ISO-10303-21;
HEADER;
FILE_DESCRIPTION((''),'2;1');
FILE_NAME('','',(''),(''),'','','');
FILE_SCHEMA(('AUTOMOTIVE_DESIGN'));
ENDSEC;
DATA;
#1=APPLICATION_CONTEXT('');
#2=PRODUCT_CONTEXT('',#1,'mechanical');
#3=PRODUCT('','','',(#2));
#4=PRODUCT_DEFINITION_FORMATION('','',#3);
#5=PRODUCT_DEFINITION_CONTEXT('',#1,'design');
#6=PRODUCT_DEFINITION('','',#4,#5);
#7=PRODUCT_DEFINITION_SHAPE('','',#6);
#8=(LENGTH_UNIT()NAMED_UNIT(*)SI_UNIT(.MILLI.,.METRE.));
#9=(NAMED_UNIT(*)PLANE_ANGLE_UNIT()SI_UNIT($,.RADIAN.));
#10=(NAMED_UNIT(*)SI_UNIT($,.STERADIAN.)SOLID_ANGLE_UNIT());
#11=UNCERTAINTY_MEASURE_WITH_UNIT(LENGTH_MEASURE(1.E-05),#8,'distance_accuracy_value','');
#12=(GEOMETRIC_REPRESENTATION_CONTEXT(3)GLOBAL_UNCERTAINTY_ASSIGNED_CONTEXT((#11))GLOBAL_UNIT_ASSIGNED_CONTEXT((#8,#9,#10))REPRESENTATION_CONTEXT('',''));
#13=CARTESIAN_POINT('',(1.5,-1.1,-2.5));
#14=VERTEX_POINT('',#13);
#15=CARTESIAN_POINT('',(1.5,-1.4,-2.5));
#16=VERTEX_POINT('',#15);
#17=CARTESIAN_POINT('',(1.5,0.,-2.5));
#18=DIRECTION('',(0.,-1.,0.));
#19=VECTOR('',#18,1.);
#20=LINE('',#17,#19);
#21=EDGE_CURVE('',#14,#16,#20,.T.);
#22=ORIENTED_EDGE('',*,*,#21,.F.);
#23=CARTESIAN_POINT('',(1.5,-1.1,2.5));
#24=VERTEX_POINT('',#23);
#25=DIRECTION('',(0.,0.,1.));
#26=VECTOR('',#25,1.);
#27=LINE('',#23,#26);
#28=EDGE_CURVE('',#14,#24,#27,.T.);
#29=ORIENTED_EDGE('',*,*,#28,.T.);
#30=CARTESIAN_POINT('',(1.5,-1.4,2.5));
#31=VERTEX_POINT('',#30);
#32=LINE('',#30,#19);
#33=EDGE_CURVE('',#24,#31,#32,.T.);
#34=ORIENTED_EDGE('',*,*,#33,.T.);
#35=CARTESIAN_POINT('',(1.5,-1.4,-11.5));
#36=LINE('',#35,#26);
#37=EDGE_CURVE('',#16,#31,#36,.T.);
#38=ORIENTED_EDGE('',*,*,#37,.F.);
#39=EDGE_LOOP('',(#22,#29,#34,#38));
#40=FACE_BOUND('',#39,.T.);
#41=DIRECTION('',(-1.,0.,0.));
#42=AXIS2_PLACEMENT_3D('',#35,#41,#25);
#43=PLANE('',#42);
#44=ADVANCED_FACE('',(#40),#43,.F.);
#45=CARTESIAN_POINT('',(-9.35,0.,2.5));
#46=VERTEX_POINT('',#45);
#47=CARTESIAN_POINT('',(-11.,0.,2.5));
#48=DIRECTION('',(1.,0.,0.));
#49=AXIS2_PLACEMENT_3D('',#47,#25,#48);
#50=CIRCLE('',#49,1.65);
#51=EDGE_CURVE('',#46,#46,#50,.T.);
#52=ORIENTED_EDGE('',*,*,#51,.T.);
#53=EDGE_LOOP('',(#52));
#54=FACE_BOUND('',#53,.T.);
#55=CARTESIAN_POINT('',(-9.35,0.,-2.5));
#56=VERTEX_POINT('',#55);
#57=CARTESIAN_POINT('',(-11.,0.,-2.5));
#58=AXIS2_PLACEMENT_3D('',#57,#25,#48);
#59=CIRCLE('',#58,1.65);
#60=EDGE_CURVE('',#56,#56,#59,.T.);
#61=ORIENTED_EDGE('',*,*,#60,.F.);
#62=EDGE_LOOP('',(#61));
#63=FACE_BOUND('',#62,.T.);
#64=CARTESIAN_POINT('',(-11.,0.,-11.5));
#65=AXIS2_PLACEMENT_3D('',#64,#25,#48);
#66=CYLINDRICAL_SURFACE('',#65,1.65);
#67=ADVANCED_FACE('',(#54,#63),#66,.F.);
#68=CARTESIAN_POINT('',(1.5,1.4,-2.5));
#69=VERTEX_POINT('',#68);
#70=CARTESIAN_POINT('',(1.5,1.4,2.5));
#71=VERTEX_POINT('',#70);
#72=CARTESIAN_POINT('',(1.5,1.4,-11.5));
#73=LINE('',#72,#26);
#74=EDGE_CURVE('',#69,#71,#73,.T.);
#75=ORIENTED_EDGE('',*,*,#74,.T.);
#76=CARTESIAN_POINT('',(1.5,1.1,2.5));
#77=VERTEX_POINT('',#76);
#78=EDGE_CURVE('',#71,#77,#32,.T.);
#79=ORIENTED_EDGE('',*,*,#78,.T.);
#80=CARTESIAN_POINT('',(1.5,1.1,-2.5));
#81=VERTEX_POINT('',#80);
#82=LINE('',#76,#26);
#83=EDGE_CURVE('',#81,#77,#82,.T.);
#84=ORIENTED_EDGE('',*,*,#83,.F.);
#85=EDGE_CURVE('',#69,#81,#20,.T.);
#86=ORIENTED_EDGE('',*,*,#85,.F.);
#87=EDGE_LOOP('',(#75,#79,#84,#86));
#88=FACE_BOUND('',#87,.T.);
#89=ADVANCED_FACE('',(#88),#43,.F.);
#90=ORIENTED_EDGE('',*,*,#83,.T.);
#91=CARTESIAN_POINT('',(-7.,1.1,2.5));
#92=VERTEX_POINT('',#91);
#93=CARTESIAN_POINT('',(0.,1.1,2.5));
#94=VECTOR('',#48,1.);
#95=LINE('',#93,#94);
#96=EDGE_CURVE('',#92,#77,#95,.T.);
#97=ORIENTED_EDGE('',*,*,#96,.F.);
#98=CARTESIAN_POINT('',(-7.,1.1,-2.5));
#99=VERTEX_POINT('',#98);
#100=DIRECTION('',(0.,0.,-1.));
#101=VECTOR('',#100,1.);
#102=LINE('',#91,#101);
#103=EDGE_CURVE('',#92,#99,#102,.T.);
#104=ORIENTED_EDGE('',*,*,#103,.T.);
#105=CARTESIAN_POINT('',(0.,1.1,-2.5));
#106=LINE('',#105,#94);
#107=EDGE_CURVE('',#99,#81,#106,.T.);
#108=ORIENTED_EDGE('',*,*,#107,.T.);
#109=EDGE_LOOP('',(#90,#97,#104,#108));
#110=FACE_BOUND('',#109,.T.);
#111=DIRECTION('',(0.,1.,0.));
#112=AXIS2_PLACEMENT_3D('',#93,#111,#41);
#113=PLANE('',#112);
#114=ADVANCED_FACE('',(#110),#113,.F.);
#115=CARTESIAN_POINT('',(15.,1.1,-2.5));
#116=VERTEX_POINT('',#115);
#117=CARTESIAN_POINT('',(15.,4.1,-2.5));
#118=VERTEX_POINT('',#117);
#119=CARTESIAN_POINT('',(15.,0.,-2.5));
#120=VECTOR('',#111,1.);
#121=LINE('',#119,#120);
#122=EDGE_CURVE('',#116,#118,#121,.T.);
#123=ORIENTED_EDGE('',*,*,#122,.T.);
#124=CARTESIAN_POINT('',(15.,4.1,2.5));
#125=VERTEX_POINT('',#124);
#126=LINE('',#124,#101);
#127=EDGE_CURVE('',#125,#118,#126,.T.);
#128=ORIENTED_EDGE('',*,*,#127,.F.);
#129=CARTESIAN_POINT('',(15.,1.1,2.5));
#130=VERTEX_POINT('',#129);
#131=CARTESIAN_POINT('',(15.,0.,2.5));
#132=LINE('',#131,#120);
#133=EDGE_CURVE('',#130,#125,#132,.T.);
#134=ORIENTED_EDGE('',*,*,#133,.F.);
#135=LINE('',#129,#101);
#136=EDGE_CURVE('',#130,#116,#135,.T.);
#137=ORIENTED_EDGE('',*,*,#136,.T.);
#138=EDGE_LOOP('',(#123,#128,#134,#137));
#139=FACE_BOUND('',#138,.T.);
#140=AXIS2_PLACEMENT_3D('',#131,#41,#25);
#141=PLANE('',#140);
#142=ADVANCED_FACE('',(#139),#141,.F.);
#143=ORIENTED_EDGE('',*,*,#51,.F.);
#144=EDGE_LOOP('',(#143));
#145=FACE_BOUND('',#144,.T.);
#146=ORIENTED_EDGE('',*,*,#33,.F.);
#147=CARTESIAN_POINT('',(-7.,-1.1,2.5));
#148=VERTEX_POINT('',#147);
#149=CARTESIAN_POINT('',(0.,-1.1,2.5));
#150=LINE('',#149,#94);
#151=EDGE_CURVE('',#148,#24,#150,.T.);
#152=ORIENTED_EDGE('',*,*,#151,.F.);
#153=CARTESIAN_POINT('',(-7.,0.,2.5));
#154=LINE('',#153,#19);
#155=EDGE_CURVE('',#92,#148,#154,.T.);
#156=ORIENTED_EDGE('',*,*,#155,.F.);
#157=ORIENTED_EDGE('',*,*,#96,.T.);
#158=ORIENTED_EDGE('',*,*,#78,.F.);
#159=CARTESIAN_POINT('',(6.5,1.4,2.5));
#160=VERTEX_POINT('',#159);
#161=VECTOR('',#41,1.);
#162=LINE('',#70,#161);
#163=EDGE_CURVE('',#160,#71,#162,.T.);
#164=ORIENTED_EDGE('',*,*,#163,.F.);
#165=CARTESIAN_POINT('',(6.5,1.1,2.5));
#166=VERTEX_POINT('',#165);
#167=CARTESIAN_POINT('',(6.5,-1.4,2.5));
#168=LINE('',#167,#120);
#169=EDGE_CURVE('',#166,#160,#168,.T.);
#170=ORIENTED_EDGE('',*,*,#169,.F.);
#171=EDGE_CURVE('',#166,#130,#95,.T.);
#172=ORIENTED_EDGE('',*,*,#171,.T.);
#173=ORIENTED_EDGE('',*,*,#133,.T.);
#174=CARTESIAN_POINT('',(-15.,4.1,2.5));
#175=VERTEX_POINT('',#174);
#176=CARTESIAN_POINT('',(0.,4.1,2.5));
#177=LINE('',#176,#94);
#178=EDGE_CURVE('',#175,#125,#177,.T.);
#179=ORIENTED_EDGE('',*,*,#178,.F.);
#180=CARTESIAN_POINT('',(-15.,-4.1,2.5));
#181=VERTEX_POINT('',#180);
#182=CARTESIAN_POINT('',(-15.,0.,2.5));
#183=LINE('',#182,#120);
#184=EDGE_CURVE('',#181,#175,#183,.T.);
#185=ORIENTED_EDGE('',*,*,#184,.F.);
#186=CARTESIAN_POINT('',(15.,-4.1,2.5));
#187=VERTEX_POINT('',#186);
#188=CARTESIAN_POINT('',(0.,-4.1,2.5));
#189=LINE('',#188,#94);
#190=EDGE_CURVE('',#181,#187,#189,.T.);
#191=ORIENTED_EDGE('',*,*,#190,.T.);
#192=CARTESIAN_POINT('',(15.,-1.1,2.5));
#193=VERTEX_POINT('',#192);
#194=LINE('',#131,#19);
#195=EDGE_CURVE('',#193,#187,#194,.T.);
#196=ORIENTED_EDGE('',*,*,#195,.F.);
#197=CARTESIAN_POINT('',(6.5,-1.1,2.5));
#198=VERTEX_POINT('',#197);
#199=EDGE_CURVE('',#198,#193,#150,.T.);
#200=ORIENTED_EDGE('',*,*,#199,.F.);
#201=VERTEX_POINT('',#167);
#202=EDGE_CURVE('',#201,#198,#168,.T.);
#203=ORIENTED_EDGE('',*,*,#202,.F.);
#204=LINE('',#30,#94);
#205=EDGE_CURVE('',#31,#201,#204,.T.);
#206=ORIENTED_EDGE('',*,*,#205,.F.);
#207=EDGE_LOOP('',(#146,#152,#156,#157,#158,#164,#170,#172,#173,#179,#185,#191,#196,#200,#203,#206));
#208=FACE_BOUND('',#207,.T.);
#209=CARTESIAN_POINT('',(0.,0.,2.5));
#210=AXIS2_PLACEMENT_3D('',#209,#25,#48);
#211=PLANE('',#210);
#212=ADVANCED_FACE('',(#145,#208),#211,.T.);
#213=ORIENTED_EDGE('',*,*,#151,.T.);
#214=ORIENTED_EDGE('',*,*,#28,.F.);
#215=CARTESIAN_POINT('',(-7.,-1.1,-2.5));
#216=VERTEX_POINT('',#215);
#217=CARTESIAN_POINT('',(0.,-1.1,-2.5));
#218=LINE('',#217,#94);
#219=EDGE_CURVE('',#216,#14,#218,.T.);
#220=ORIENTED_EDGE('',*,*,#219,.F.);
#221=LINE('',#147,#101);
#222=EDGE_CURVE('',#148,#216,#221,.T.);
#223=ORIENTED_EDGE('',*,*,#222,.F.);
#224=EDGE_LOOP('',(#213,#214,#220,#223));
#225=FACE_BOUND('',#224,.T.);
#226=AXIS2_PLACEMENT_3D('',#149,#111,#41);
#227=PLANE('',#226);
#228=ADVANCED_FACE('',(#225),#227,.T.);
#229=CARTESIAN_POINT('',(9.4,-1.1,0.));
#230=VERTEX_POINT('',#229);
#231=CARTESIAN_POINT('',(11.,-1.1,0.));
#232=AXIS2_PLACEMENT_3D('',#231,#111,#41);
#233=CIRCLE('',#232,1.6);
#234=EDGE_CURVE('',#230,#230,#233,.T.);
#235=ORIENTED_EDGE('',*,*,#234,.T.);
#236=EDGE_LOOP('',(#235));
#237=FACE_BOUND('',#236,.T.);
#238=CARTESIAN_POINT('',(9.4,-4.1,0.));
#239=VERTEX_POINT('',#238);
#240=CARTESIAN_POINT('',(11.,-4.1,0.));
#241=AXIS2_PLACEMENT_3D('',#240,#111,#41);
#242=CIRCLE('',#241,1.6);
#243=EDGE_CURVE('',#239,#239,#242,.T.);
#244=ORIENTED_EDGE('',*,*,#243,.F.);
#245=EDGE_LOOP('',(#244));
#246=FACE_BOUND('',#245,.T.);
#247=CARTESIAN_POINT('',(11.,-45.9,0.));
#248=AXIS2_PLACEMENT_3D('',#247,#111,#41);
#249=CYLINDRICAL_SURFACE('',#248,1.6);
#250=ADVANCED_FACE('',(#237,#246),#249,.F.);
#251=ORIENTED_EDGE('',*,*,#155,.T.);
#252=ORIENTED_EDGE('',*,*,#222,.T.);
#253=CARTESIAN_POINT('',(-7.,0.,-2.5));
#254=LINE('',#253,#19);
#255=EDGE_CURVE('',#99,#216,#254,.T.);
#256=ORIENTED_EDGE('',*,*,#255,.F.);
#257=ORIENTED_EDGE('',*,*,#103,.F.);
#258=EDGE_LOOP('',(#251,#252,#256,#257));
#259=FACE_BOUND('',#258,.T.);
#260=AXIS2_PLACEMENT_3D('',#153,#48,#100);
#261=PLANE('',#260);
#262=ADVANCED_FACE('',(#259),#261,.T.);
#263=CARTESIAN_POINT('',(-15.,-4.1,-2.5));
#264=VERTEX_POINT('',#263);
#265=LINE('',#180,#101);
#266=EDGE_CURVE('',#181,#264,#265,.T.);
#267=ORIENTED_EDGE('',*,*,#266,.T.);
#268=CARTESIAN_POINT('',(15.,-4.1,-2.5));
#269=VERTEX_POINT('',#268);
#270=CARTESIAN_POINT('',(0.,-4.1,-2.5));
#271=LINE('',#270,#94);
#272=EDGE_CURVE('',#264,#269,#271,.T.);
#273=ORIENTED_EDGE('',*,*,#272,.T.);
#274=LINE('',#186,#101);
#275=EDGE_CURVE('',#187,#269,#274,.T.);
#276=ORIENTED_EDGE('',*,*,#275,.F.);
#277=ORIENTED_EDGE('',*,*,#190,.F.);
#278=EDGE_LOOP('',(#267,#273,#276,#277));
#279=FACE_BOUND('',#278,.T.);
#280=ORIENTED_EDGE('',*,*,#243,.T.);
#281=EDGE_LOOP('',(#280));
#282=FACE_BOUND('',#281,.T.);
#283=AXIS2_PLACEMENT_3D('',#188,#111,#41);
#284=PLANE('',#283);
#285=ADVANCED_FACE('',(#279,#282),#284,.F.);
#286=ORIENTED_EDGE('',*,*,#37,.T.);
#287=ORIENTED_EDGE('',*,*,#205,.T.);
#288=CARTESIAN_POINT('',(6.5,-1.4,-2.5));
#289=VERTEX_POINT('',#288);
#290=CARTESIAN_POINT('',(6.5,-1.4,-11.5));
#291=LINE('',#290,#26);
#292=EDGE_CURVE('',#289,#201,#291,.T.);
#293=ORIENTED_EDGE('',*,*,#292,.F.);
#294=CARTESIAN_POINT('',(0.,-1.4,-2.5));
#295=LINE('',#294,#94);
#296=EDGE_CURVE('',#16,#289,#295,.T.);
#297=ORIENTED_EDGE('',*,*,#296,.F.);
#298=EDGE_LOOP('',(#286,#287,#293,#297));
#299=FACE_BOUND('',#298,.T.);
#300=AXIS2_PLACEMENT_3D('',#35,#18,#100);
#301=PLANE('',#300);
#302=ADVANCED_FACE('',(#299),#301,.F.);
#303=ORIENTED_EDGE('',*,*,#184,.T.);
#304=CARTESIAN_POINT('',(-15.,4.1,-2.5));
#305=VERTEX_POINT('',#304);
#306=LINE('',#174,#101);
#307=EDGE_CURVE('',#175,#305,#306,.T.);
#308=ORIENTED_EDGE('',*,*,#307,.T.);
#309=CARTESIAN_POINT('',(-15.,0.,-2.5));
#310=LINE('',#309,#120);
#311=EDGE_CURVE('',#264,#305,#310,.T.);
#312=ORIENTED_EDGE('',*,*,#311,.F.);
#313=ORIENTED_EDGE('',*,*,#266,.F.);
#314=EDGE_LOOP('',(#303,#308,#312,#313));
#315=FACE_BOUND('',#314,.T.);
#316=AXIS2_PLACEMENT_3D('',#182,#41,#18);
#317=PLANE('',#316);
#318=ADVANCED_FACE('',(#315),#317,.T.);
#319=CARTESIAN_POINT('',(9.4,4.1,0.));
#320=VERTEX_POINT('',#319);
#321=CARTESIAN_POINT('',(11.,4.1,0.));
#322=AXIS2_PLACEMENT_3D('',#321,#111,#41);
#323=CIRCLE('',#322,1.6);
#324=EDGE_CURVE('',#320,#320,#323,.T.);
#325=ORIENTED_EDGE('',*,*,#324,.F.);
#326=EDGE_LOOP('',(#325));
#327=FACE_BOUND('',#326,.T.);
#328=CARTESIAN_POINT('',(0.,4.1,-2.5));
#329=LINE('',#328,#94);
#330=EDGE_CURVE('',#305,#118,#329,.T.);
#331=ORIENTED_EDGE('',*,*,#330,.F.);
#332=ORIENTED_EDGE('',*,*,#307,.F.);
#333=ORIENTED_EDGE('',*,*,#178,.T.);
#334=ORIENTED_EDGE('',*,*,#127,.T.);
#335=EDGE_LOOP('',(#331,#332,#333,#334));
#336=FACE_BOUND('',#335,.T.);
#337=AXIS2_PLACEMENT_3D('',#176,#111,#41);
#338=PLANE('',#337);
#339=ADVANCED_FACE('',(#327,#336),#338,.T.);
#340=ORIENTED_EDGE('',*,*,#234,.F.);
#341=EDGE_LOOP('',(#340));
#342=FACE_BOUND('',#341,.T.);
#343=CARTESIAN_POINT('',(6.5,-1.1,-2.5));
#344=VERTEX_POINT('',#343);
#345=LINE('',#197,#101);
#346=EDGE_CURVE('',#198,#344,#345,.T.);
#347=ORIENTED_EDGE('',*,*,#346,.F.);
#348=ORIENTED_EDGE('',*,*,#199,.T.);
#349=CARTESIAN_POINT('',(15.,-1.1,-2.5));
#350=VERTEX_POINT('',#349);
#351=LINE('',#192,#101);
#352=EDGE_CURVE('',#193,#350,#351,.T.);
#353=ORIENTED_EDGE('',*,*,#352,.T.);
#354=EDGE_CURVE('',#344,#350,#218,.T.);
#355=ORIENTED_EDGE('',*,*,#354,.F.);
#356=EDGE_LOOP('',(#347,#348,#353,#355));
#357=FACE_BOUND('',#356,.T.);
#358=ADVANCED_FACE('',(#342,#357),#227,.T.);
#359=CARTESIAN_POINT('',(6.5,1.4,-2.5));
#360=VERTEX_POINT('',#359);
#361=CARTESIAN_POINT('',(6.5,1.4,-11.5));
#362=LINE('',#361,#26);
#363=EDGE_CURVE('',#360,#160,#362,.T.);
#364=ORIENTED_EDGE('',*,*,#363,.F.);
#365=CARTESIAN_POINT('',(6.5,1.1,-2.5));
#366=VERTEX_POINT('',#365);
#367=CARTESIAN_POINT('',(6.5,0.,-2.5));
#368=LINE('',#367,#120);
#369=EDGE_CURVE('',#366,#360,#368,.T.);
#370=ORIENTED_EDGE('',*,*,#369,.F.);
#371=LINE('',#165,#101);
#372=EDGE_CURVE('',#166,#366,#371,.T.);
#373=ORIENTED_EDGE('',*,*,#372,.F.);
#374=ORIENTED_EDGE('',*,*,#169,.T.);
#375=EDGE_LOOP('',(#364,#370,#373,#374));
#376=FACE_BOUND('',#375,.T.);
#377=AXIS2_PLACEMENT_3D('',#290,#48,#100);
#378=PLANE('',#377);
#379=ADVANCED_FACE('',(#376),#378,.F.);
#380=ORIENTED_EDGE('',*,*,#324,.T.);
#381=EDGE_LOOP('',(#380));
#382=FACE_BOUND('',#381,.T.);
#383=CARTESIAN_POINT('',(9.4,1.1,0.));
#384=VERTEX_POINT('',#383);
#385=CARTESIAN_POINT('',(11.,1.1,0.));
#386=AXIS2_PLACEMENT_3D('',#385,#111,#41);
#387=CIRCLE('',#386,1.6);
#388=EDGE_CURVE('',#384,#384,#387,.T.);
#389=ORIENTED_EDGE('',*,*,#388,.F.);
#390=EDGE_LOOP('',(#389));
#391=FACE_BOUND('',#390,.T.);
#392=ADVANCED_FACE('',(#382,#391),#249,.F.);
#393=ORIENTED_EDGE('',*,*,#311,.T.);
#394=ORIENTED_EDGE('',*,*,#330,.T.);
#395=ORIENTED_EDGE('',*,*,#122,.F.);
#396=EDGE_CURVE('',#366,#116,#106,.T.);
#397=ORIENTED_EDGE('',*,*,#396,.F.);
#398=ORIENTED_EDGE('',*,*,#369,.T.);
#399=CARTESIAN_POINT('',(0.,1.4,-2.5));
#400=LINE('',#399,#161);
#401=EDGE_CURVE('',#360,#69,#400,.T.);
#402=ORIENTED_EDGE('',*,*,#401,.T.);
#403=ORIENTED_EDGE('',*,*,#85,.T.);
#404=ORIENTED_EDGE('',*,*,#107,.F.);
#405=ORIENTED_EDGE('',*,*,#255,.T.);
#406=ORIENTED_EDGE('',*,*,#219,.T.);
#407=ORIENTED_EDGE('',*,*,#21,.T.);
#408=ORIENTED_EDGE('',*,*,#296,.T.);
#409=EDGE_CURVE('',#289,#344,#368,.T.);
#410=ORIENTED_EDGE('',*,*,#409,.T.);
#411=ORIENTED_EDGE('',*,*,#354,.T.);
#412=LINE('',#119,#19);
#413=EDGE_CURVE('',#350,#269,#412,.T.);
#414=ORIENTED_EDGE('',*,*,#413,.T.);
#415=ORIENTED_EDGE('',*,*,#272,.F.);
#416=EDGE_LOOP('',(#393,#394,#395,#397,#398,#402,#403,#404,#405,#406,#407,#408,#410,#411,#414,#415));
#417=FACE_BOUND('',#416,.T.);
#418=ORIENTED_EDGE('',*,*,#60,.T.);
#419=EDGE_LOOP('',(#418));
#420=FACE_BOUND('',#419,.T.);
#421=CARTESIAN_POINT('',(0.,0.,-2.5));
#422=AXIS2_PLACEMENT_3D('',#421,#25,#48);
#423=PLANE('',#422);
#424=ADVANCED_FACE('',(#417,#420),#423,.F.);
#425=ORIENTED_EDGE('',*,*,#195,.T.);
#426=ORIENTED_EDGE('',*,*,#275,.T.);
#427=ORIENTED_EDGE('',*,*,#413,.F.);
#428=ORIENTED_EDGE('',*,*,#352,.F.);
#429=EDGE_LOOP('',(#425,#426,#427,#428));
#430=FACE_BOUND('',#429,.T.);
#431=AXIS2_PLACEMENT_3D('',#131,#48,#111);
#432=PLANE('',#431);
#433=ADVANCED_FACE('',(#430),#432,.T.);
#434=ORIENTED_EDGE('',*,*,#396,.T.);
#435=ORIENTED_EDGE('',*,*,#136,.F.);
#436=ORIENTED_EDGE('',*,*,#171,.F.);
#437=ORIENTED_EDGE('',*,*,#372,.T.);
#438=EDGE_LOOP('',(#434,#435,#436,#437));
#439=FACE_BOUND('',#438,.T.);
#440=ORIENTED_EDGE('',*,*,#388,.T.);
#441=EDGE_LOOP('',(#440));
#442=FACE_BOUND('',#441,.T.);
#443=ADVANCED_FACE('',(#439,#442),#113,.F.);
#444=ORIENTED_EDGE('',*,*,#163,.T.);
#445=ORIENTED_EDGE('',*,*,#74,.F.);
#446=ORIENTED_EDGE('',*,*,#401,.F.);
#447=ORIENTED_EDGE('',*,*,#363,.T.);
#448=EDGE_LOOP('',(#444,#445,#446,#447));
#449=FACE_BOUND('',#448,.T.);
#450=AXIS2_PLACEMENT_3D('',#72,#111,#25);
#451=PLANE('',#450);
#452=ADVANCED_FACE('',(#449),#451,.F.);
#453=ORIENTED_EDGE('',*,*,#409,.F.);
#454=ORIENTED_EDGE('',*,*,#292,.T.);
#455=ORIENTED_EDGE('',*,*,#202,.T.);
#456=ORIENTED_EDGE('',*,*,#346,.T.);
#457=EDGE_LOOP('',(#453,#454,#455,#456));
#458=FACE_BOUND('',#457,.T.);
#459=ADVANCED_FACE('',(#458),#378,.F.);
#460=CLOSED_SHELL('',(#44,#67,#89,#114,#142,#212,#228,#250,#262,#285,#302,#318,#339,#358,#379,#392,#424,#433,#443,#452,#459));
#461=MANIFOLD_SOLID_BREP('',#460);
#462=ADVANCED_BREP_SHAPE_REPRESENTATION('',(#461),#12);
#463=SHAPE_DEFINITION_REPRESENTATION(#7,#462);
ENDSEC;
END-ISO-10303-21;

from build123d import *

# Parameters (mm, degrees)
SKETCH_1_W          = 30
SKETCH_1_H          = 3
SKETCH_1_W_2        = 8
SKETCH_1_H_2        = 2.2
EXTRUDE_2_DEPTH     = 2.5
SKETCH_2_R          = 1.65
CUT_EXTRUDE_1_DEPTH = 14
SKETCH_3_W          = 5
SKETCH_3_H          = 2.8
CUT_EXTRUDE_2_DEPTH = 14
SKETCH_5_R          = 1.6
CUT_EXTRUDE_3_DEPTH = 50


with BuildPart() as part:
    # 草图1 → 凸台-拉伸2 (new, symmetric)
    with BuildSketch(Plane.XY):
        with Locations((0, 2.6)):
            Rectangle(SKETCH_1_W, SKETCH_1_H)
        with Locations((-11, 0)):
            Rectangle(SKETCH_1_W_2, SKETCH_1_H_2)
        with Locations((0, -2.6)):
            Rectangle(SKETCH_1_W, SKETCH_1_H)
    extrude(amount=EXTRUDE_2_DEPTH, both=True)

    # 草图2 → 切除-拉伸1 (cut)
    with BuildSketch(Plane.XY.offset(2.5)):
        with Locations((-11, 0)):
            Circle(SKETCH_2_R)
    extrude(amount=-CUT_EXTRUDE_1_DEPTH, mode=Mode.SUBTRACT)

    # 草图3 → 切除-拉伸2 (cut)
    with BuildSketch(Plane.XY.offset(2.5)):
        with Locations((4, 0)):
            Rectangle(SKETCH_3_W, SKETCH_3_H)
    extrude(amount=-CUT_EXTRUDE_2_DEPTH, mode=Mode.SUBTRACT)

    # 草图5 → 切除-拉伸3 (cut)
    with BuildSketch(Plane(origin=(0, 4.1, 0), x_dir=(1, 0, 0), z_dir=(0, 1, 0))):
        with Locations(Location((11, 0, 0), (0, 0, 180))):
            Circle(SKETCH_5_R)
    extrude(amount=-CUT_EXTRUDE_3_DEPTH, mode=Mode.SUBTRACT)


solid = part.part
